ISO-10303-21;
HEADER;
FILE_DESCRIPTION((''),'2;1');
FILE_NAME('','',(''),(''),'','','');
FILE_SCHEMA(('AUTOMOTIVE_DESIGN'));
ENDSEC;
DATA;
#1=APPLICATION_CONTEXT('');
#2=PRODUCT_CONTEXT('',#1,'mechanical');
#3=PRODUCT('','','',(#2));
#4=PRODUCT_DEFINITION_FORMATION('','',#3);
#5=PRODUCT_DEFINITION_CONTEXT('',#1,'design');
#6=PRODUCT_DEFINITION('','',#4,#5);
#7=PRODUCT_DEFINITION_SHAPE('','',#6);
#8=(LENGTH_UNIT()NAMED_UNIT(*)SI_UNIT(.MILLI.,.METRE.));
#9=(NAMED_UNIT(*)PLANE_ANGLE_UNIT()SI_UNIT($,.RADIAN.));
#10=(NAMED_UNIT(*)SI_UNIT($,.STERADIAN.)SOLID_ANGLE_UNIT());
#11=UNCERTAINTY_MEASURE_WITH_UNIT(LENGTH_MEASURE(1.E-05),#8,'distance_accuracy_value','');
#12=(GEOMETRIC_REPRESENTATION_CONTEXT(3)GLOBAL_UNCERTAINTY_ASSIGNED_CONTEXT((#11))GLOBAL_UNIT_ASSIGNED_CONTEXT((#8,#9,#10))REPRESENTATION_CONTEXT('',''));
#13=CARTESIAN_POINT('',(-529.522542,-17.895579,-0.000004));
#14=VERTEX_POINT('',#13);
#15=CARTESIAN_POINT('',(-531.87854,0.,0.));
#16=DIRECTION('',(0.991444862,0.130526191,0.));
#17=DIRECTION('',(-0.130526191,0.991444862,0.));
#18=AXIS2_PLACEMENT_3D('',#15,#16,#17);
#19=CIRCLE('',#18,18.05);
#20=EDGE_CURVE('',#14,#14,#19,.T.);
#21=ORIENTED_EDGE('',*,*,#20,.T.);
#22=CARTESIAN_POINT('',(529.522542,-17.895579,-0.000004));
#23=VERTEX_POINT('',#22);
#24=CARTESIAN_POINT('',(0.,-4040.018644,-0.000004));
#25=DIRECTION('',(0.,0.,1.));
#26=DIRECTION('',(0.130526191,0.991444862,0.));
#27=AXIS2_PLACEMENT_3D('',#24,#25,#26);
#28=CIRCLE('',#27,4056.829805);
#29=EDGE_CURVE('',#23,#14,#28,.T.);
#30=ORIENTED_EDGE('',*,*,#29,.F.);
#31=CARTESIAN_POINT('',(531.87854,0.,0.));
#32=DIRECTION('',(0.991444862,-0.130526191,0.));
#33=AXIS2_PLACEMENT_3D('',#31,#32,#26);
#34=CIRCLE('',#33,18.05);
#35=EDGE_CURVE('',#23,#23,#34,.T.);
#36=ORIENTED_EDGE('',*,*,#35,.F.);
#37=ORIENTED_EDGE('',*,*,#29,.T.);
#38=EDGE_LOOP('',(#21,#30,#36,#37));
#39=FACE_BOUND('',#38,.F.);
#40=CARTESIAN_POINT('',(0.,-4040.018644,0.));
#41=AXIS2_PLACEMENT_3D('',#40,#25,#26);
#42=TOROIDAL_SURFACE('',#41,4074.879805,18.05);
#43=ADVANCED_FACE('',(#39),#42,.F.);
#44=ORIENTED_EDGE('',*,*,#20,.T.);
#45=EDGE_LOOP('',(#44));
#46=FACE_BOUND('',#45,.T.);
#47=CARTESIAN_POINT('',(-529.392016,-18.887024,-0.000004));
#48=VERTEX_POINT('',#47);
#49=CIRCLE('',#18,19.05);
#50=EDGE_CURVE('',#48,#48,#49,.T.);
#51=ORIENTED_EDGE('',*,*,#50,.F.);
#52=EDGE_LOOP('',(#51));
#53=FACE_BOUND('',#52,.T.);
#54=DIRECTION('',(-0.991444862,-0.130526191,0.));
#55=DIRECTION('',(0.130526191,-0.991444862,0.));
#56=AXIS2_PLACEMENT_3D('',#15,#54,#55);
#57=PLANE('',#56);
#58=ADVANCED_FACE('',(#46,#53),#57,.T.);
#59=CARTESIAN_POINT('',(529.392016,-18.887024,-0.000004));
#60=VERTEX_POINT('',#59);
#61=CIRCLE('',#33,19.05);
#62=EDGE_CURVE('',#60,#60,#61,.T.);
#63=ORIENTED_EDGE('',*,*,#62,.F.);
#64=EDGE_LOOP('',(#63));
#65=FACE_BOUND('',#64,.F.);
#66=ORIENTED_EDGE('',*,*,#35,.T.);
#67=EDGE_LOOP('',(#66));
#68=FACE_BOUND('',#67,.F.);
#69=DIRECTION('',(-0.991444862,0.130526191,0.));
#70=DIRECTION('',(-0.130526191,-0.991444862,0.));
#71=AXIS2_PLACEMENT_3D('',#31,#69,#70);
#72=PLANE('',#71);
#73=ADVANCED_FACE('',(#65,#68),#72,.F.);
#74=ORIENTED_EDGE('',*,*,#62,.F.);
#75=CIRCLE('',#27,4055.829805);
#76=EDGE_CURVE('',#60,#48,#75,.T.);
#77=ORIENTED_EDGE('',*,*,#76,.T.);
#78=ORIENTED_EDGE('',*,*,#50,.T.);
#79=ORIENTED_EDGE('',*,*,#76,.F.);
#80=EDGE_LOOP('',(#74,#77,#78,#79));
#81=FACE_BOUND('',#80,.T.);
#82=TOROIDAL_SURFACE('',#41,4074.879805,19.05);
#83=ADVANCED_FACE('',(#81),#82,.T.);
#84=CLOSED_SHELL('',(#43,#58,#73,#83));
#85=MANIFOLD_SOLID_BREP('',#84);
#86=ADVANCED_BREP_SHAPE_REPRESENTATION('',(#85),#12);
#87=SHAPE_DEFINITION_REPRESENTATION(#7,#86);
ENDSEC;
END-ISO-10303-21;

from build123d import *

# Parameters (mm, degrees)
F2_R   = 19.05
F2_R_2 = 18.05


with BuildPart() as f3:
    # F3: sweep along a path in F0
    with BuildLine(Plane.XY) as f3_path:
        ThreePointArc((531.87854, 0), (0, 34.861161), (-531.87854, 0))
    # F2 (on face) → F3 (sweep)
    with BuildSketch(Plane(origin=(-522.816879, -68.830148, 0), x_dir=(0.130526, -0.991445, 0), z_dir=(-0.991445, -0.130526, 0))):
        with Locations((-69.424081, 0)):
            Circle(F2_R)
        with Locations((-69.424081, 0)):
            Circle(F2_R_2, mode=Mode.SUBTRACT)
    sweep(path=f3_path.line)


solid = f3.part
